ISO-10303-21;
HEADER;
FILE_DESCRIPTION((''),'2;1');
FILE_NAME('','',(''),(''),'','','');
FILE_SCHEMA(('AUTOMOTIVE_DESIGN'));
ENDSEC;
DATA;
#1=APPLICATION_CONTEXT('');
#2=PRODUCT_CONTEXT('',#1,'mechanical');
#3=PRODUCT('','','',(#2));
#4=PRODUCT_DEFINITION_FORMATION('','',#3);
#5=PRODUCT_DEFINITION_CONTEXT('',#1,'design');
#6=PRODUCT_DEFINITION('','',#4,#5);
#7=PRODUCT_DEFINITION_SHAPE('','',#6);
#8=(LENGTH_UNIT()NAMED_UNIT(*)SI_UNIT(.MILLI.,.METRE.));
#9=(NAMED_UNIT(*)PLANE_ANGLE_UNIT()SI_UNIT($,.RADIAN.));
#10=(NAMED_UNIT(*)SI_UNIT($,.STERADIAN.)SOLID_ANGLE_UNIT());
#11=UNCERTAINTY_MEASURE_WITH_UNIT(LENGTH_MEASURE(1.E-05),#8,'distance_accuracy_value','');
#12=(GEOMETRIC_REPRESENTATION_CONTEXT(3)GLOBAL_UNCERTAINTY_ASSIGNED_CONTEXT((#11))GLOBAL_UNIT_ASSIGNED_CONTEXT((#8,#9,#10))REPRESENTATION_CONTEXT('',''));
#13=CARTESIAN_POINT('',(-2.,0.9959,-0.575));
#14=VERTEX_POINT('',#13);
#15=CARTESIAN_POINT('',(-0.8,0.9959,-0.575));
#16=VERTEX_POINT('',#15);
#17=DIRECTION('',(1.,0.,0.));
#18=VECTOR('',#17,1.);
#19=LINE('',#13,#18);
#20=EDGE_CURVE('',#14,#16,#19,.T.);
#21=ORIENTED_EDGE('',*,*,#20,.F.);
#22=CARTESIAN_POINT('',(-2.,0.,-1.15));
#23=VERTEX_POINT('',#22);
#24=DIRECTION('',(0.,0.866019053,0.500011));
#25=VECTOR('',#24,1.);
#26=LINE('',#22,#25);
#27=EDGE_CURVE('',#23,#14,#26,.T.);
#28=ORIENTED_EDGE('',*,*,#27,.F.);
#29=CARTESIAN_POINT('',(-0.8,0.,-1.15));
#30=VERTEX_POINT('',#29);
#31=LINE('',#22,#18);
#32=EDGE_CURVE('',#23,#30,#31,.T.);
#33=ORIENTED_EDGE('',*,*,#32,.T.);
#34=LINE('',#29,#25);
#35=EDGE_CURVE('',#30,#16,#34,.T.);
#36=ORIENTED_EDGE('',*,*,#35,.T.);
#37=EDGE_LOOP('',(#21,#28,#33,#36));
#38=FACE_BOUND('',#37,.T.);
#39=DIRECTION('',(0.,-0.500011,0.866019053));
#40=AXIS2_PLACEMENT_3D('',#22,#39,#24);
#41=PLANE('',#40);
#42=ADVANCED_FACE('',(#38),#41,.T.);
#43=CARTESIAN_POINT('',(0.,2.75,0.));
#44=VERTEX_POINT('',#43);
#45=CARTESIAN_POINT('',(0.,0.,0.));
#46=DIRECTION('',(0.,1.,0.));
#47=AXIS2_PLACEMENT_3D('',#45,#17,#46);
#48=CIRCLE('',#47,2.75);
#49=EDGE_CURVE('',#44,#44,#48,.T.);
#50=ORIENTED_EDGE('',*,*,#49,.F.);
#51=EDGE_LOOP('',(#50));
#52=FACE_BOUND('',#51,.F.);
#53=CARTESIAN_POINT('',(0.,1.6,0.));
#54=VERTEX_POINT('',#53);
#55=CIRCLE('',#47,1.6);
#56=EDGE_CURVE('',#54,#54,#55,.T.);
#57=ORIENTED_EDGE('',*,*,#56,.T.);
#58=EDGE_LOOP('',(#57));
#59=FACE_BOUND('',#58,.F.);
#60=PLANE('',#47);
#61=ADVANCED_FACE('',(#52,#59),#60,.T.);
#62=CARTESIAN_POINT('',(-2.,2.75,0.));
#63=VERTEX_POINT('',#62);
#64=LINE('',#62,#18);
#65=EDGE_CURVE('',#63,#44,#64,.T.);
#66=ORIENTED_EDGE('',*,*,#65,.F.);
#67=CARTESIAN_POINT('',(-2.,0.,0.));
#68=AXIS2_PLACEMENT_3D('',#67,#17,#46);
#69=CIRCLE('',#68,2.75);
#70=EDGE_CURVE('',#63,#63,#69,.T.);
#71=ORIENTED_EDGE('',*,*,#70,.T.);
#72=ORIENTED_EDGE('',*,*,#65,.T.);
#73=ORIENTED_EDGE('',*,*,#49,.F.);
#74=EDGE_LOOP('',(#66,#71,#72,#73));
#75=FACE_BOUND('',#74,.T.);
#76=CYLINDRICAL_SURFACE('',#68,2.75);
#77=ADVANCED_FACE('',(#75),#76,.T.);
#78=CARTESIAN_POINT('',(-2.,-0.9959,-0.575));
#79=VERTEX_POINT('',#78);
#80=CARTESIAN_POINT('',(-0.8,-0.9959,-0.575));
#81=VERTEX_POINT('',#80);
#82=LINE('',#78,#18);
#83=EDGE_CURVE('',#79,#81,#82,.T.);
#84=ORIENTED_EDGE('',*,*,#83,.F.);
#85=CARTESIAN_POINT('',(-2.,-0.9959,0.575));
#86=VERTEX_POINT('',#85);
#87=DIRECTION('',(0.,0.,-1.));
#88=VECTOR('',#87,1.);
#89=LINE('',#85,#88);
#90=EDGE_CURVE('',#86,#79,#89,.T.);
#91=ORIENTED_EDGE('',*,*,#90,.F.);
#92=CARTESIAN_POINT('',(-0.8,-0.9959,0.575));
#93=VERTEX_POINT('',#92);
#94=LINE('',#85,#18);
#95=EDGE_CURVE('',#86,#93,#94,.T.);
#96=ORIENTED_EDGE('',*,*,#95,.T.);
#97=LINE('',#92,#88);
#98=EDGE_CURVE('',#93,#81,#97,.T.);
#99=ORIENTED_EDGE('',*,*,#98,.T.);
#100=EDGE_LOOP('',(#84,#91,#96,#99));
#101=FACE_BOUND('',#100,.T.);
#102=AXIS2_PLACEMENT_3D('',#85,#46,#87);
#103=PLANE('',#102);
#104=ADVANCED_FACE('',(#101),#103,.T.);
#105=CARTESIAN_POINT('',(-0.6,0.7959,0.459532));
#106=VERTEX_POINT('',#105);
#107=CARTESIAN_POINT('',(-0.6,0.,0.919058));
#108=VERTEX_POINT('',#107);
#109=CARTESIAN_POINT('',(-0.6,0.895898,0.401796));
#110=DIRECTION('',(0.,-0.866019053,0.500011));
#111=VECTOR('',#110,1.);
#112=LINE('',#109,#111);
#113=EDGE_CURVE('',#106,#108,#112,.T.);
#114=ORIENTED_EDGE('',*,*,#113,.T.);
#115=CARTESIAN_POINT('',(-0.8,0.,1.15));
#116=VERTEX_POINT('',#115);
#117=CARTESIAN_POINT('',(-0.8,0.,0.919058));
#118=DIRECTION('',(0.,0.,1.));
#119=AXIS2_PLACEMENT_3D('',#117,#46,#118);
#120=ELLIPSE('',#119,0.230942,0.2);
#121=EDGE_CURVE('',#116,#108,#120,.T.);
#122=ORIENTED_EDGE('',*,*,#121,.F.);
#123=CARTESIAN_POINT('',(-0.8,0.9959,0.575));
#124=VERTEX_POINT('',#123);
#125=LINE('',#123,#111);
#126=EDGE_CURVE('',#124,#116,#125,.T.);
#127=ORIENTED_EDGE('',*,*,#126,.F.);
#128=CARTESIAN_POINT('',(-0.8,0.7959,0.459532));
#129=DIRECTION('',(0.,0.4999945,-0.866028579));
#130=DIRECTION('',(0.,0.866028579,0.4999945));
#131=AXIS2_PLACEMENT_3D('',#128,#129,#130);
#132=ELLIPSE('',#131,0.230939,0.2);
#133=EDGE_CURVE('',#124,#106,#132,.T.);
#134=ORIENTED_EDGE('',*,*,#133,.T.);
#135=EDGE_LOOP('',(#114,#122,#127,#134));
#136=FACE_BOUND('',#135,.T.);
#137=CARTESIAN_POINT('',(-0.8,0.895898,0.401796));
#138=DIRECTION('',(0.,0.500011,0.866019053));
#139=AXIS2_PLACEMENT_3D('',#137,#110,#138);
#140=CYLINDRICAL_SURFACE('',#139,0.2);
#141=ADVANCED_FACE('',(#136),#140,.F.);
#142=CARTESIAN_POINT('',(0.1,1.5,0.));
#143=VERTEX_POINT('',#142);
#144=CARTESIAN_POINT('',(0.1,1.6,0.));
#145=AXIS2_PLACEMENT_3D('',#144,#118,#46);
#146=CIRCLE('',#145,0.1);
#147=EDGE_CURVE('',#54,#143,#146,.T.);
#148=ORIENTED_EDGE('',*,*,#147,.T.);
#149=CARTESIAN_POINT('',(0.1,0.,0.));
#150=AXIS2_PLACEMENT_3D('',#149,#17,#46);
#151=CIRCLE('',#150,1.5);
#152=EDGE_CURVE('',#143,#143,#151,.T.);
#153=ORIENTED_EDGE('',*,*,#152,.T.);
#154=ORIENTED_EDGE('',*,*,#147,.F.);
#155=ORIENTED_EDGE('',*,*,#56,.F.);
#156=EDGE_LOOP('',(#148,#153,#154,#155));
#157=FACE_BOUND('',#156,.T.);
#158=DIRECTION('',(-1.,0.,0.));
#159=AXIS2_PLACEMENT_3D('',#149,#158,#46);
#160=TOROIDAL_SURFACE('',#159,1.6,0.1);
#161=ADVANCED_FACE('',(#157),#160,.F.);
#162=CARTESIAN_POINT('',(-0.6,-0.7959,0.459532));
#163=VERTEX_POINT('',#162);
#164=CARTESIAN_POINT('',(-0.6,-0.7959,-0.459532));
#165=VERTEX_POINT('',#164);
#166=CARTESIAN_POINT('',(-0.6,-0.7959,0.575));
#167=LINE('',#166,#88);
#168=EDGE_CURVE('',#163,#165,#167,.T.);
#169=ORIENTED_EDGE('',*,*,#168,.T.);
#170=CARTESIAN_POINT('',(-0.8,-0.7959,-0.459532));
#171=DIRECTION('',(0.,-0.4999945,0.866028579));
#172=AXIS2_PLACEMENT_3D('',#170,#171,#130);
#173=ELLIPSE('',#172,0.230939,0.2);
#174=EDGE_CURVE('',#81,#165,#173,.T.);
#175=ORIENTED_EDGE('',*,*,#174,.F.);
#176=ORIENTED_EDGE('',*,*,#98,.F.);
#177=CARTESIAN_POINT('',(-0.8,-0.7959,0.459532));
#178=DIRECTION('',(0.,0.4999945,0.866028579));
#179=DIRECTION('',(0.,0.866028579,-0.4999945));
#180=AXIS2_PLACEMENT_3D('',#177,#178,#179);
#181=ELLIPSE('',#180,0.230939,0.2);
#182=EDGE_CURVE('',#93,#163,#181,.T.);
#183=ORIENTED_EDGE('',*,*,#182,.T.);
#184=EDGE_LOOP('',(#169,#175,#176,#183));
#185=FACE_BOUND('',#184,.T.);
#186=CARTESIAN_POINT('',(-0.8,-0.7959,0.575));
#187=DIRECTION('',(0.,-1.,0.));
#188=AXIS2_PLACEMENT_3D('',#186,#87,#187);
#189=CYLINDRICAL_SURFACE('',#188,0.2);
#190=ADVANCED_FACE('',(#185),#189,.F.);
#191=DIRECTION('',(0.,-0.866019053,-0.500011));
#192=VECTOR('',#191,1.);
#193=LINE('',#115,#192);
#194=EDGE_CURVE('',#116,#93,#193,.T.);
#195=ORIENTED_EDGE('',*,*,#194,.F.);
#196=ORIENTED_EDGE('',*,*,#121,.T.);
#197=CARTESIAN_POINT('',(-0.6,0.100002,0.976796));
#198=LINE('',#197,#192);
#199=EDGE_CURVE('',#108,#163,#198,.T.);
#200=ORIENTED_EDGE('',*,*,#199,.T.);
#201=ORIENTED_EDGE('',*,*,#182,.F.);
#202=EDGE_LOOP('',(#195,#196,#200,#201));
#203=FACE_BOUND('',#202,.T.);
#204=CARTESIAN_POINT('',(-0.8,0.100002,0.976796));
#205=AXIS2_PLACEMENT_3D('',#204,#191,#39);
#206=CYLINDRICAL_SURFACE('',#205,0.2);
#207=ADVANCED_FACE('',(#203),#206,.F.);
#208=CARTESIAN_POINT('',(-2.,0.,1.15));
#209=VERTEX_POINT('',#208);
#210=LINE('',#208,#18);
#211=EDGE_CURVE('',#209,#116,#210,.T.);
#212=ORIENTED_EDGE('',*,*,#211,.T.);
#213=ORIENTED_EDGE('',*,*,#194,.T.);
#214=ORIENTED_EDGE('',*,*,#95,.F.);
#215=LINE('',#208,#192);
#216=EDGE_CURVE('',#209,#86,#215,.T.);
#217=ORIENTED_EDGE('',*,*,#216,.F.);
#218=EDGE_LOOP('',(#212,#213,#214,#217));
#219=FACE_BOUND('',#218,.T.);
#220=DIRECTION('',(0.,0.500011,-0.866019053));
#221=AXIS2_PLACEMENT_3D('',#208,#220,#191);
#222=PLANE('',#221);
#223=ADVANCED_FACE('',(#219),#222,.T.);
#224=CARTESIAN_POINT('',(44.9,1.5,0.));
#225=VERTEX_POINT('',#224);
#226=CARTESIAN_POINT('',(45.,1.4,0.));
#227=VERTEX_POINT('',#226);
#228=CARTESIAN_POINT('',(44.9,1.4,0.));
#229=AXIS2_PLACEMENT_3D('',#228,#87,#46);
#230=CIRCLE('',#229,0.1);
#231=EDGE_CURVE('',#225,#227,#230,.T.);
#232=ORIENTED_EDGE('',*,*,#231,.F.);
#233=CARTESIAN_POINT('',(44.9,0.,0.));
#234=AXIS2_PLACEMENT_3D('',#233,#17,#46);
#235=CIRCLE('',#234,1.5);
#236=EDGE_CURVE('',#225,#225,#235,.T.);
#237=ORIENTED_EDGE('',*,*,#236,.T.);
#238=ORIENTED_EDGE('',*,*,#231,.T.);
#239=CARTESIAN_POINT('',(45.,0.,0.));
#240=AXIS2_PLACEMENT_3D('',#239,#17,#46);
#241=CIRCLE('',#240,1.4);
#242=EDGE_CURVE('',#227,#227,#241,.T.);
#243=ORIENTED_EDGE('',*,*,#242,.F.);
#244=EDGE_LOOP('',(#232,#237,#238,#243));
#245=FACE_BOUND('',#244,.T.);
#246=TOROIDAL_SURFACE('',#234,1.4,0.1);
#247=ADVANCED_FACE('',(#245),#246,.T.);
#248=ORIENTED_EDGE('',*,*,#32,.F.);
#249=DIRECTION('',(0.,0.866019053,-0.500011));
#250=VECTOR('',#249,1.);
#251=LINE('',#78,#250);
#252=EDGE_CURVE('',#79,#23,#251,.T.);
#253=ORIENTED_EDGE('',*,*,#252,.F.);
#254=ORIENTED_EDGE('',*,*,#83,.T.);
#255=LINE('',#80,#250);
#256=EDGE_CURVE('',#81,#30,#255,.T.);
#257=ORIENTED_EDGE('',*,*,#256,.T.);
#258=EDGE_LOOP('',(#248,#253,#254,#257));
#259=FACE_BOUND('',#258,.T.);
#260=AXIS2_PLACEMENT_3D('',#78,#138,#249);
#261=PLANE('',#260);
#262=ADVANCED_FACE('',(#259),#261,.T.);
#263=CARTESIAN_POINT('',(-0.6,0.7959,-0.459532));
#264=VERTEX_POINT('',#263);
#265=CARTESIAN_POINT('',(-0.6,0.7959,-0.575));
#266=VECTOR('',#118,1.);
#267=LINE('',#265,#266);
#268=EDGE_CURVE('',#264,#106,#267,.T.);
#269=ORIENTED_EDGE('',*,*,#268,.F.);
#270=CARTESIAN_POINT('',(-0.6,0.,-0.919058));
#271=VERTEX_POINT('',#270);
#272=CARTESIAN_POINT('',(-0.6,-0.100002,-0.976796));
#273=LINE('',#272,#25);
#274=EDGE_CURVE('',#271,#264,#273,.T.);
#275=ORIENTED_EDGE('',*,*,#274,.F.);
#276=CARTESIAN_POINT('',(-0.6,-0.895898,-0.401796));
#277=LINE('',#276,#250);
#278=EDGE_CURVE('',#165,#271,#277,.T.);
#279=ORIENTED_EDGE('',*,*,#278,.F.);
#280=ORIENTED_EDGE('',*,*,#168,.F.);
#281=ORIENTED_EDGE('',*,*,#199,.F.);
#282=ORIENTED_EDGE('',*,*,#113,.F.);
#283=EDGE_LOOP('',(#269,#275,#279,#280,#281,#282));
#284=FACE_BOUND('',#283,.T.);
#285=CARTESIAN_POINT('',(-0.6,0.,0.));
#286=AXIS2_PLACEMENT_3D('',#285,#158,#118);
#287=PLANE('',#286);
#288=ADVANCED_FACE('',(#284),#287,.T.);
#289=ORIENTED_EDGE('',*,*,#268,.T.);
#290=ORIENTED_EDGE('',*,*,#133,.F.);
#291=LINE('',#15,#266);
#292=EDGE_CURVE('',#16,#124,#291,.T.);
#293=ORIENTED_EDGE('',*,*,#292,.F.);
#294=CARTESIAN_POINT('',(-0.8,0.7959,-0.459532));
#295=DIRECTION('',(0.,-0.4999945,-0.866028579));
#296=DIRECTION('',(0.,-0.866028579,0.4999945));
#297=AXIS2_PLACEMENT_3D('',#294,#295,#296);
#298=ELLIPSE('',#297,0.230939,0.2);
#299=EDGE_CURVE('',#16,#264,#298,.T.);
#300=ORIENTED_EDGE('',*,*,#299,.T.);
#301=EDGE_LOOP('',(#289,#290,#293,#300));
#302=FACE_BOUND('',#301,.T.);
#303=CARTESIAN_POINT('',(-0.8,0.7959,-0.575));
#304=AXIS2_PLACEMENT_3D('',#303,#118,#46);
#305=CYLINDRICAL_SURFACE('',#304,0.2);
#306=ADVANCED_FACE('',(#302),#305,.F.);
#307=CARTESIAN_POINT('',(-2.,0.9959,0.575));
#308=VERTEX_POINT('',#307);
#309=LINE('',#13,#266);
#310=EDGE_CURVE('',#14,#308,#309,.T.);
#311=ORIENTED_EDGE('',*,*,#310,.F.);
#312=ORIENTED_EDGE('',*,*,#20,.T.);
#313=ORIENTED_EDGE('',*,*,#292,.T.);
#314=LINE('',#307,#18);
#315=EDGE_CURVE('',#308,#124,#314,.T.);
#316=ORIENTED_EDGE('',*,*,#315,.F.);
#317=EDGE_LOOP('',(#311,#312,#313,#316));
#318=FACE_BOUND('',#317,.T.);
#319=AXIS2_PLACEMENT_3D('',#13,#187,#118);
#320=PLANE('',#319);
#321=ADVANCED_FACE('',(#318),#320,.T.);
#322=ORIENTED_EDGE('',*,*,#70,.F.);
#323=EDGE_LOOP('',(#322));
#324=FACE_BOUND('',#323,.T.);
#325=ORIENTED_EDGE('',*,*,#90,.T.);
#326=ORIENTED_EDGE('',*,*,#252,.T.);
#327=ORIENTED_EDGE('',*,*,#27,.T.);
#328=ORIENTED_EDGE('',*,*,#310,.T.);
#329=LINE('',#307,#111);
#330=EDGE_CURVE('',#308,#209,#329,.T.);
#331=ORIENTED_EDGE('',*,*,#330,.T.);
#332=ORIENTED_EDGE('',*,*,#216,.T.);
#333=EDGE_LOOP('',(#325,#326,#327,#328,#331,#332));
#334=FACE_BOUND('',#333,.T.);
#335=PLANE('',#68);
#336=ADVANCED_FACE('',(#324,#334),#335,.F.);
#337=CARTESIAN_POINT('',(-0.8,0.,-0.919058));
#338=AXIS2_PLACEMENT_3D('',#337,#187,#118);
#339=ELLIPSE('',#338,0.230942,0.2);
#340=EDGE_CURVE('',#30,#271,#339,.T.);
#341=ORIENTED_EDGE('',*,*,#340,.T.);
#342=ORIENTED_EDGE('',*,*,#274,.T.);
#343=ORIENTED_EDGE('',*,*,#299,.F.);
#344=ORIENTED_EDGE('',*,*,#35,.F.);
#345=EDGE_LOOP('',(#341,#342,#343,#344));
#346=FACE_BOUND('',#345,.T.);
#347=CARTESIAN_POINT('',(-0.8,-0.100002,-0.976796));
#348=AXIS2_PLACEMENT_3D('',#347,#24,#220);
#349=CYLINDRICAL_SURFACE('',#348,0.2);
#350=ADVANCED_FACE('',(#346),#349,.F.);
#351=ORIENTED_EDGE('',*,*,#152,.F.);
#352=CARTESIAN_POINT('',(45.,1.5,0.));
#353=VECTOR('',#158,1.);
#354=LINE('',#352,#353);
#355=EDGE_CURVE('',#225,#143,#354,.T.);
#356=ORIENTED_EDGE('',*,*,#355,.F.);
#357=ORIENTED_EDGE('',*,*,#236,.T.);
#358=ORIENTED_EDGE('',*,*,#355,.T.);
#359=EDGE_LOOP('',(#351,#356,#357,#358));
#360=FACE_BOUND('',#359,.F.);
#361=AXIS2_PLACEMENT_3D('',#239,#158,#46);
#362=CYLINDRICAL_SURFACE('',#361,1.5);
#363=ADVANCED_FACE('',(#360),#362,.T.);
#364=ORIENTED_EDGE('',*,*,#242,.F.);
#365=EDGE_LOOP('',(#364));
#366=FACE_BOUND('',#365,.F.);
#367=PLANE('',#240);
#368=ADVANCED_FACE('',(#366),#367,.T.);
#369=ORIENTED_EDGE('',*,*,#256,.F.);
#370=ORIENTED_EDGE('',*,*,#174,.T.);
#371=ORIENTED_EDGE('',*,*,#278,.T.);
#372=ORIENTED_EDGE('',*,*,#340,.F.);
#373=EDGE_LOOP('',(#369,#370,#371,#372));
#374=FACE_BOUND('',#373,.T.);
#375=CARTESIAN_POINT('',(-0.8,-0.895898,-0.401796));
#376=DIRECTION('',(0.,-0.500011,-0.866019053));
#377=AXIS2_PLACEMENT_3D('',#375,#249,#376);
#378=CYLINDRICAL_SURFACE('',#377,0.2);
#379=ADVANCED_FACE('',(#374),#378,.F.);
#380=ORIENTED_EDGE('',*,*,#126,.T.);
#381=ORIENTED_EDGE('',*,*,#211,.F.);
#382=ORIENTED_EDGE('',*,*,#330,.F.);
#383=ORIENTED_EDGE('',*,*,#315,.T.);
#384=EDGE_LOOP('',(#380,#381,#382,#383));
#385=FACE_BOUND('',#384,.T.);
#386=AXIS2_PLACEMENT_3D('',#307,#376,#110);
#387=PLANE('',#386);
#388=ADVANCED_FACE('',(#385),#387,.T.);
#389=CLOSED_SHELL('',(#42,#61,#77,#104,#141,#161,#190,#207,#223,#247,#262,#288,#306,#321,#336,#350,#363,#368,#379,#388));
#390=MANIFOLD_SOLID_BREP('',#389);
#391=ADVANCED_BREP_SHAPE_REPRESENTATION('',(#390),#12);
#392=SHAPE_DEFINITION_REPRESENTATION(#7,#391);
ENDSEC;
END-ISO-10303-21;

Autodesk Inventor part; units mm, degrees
ref_plane "YZ Plane" through (0, 0, 0) normal (1, 0, 0) x (0, 1, 0)
ref_plane "XZ Plane" through (0, 0, 0) normal (0, 1, 0) x (-1, 0, 0)
ref_plane "XY Plane" through (0, 0, 0) normal (0, 0, 1) x (1, 0, 0)
sketch "スケッチ1" plane through (0, 0, 0) normal (0, 0, 1) x (1, 0, 0)
  line L0 (0, 0) -> (45, 0)
  line L1 (45, 0) -> (45, 1.5)
  line L2 (45, 1.5) -> (0, 1.5)
  line L3 (0, 1.5) -> (0, 0)
  line L4 (0, 0) -> (0, 2.75)
  line L5 (0, 0) -> (-2, 0)
  line L6 (-2, 0) -> (0, 0)
  line L7 (-2, 0) -> (-2, 1.15)
  line L8 (0, 0) -> (-2, 0)
  line L9 (-2, 0) -> (-2, 2.75)
  line L10 (-2, 2.75) -> (0, 2.75)
  line L11 (0, 2.75) -> (0, 0)
  dimension "d0" = 1.5
  dimension "d1" = 45
  dimension "d3" = 2
  dimension "d4" = 2.75
  dimension "d5" = 1.15
revolve "回転1" add sketch "スケッチ1" angle 360 about axis through (-2, 0, 0) along (1, 0, 0)
sketch "スケッチ2" plane through (-2, 0, 0) normal (-1, 0, 0) x (0, 0, 1)
  line L0 (-0.575, 0.9959) -> (0.575, 0.9959)
  line L1 (0.575, 0.9959) -> (1.15, 0)
  line L2 (1.15, 0) -> (0.575, -0.9959)
  line L3 (0.575, -0.9959) -> (-0.575, -0.9959)
  line L4 (-0.575, -0.9959) -> (-1.15, 0)
  line L5 (-1.15, 0) -> (-0.575, 0.9959)
  point P0 (0, 0)
  point P1 (0, 0)
  point P2 (0, 0)
  dimension "d10" = 1.15
  dimension "d11" = 1.9919
extrude "押し出し1" cut sketch "スケッチ2" against normal blind 1.4
fillet "フィレット1" radius 0.2 6 edges at (-0.6, 0.9959, 0) (-0.6, 0.498, 0.8625) (-0.6, 0.498, -0.8625) (-0.6, -0.498, -0.8625) (-0.6, -0.9959, 0) (-0.6, -0.498, 0.8625)
fillet "フィレット2" radius 0.1 1 edges at (0, -1.5, 0)
fillet "フィレット3" radius 0.1 1 edges at (45, -1.5, 0)
thread "ねじ2" size "M3x0.5" class "6g" standard "ANSI Metric M Profile" length 44.8 offset 27
properties part number "ネジキャップM3L45" material "鋼"
